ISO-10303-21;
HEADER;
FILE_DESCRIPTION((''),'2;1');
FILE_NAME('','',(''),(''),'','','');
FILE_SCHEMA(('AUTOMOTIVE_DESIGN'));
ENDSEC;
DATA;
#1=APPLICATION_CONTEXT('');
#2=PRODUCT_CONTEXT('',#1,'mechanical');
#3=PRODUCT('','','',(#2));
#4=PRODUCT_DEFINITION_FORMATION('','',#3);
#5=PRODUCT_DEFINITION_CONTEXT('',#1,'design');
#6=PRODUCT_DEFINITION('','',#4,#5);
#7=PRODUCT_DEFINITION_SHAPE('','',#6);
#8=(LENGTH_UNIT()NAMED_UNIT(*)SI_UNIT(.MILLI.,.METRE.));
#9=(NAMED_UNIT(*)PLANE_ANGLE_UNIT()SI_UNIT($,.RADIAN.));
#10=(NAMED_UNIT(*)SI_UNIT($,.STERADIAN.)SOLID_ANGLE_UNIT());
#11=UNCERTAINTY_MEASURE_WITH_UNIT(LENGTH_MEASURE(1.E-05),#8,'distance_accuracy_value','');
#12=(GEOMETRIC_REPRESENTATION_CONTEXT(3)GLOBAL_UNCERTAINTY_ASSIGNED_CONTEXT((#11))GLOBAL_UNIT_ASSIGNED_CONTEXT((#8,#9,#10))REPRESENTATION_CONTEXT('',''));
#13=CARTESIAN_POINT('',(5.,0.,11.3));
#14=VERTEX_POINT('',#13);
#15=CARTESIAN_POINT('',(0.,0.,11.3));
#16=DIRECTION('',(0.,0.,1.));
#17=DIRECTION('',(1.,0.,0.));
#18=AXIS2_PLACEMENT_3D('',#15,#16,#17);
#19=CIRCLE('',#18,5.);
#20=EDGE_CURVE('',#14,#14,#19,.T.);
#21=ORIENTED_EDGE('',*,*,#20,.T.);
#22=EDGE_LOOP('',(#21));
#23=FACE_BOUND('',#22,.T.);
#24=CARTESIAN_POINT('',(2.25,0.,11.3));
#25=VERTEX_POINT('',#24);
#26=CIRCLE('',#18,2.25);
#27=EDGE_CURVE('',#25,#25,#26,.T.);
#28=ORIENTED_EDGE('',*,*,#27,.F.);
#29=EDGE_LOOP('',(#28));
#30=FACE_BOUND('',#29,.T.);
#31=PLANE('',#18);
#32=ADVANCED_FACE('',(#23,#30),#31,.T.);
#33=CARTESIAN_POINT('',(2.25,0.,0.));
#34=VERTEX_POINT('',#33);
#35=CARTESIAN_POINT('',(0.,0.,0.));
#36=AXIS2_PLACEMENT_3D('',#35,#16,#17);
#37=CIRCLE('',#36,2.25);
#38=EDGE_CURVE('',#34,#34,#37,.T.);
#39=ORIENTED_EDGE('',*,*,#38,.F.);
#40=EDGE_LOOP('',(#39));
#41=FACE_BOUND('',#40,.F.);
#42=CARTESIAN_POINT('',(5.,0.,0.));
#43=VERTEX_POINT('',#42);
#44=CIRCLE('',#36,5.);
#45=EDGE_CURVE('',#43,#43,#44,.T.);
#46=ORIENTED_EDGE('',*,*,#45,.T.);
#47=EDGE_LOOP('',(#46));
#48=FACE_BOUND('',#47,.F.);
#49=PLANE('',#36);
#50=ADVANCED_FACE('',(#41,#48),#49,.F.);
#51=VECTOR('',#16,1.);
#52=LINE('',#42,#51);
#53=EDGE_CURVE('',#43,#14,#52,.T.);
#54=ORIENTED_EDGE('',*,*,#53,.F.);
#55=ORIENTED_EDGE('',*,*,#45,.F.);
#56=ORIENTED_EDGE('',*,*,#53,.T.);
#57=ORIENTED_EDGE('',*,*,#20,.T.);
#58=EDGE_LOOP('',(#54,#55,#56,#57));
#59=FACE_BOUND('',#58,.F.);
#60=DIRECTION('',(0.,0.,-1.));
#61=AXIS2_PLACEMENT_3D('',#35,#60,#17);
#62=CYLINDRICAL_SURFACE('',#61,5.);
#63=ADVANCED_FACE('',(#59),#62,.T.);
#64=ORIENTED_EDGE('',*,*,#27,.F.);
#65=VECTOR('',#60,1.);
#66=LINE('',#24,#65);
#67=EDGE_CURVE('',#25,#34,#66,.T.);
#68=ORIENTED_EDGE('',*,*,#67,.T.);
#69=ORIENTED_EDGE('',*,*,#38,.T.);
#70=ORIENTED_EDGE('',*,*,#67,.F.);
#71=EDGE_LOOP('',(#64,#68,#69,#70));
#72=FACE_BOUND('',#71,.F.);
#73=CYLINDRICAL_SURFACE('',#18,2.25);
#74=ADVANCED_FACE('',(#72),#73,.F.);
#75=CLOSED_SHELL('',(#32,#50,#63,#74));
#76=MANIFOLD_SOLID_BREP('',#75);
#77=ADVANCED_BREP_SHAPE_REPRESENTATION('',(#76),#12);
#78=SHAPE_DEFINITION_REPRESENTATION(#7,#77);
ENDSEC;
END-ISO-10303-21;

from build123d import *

# Parameters (mm, degrees)
SKETCH_R     = 5
PAD_DEPTH    = 11.3
SKETCH001_R  = 2.25
POCKET_DEPTH = 11.301


with BuildPart() as part:
    # Sketch → Pad (new body)
    with BuildSketch(Plane.XY):
        Circle(SKETCH_R)
    extrude(amount=PAD_DEPTH)

    # Sketch001 → Pocket (cut, through all)
    with BuildSketch(Plane.XY.offset(11.3)):
        Circle(SKETCH001_R)
    extrude(amount=-POCKET_DEPTH, mode=Mode.SUBTRACT)


solid = part.part
